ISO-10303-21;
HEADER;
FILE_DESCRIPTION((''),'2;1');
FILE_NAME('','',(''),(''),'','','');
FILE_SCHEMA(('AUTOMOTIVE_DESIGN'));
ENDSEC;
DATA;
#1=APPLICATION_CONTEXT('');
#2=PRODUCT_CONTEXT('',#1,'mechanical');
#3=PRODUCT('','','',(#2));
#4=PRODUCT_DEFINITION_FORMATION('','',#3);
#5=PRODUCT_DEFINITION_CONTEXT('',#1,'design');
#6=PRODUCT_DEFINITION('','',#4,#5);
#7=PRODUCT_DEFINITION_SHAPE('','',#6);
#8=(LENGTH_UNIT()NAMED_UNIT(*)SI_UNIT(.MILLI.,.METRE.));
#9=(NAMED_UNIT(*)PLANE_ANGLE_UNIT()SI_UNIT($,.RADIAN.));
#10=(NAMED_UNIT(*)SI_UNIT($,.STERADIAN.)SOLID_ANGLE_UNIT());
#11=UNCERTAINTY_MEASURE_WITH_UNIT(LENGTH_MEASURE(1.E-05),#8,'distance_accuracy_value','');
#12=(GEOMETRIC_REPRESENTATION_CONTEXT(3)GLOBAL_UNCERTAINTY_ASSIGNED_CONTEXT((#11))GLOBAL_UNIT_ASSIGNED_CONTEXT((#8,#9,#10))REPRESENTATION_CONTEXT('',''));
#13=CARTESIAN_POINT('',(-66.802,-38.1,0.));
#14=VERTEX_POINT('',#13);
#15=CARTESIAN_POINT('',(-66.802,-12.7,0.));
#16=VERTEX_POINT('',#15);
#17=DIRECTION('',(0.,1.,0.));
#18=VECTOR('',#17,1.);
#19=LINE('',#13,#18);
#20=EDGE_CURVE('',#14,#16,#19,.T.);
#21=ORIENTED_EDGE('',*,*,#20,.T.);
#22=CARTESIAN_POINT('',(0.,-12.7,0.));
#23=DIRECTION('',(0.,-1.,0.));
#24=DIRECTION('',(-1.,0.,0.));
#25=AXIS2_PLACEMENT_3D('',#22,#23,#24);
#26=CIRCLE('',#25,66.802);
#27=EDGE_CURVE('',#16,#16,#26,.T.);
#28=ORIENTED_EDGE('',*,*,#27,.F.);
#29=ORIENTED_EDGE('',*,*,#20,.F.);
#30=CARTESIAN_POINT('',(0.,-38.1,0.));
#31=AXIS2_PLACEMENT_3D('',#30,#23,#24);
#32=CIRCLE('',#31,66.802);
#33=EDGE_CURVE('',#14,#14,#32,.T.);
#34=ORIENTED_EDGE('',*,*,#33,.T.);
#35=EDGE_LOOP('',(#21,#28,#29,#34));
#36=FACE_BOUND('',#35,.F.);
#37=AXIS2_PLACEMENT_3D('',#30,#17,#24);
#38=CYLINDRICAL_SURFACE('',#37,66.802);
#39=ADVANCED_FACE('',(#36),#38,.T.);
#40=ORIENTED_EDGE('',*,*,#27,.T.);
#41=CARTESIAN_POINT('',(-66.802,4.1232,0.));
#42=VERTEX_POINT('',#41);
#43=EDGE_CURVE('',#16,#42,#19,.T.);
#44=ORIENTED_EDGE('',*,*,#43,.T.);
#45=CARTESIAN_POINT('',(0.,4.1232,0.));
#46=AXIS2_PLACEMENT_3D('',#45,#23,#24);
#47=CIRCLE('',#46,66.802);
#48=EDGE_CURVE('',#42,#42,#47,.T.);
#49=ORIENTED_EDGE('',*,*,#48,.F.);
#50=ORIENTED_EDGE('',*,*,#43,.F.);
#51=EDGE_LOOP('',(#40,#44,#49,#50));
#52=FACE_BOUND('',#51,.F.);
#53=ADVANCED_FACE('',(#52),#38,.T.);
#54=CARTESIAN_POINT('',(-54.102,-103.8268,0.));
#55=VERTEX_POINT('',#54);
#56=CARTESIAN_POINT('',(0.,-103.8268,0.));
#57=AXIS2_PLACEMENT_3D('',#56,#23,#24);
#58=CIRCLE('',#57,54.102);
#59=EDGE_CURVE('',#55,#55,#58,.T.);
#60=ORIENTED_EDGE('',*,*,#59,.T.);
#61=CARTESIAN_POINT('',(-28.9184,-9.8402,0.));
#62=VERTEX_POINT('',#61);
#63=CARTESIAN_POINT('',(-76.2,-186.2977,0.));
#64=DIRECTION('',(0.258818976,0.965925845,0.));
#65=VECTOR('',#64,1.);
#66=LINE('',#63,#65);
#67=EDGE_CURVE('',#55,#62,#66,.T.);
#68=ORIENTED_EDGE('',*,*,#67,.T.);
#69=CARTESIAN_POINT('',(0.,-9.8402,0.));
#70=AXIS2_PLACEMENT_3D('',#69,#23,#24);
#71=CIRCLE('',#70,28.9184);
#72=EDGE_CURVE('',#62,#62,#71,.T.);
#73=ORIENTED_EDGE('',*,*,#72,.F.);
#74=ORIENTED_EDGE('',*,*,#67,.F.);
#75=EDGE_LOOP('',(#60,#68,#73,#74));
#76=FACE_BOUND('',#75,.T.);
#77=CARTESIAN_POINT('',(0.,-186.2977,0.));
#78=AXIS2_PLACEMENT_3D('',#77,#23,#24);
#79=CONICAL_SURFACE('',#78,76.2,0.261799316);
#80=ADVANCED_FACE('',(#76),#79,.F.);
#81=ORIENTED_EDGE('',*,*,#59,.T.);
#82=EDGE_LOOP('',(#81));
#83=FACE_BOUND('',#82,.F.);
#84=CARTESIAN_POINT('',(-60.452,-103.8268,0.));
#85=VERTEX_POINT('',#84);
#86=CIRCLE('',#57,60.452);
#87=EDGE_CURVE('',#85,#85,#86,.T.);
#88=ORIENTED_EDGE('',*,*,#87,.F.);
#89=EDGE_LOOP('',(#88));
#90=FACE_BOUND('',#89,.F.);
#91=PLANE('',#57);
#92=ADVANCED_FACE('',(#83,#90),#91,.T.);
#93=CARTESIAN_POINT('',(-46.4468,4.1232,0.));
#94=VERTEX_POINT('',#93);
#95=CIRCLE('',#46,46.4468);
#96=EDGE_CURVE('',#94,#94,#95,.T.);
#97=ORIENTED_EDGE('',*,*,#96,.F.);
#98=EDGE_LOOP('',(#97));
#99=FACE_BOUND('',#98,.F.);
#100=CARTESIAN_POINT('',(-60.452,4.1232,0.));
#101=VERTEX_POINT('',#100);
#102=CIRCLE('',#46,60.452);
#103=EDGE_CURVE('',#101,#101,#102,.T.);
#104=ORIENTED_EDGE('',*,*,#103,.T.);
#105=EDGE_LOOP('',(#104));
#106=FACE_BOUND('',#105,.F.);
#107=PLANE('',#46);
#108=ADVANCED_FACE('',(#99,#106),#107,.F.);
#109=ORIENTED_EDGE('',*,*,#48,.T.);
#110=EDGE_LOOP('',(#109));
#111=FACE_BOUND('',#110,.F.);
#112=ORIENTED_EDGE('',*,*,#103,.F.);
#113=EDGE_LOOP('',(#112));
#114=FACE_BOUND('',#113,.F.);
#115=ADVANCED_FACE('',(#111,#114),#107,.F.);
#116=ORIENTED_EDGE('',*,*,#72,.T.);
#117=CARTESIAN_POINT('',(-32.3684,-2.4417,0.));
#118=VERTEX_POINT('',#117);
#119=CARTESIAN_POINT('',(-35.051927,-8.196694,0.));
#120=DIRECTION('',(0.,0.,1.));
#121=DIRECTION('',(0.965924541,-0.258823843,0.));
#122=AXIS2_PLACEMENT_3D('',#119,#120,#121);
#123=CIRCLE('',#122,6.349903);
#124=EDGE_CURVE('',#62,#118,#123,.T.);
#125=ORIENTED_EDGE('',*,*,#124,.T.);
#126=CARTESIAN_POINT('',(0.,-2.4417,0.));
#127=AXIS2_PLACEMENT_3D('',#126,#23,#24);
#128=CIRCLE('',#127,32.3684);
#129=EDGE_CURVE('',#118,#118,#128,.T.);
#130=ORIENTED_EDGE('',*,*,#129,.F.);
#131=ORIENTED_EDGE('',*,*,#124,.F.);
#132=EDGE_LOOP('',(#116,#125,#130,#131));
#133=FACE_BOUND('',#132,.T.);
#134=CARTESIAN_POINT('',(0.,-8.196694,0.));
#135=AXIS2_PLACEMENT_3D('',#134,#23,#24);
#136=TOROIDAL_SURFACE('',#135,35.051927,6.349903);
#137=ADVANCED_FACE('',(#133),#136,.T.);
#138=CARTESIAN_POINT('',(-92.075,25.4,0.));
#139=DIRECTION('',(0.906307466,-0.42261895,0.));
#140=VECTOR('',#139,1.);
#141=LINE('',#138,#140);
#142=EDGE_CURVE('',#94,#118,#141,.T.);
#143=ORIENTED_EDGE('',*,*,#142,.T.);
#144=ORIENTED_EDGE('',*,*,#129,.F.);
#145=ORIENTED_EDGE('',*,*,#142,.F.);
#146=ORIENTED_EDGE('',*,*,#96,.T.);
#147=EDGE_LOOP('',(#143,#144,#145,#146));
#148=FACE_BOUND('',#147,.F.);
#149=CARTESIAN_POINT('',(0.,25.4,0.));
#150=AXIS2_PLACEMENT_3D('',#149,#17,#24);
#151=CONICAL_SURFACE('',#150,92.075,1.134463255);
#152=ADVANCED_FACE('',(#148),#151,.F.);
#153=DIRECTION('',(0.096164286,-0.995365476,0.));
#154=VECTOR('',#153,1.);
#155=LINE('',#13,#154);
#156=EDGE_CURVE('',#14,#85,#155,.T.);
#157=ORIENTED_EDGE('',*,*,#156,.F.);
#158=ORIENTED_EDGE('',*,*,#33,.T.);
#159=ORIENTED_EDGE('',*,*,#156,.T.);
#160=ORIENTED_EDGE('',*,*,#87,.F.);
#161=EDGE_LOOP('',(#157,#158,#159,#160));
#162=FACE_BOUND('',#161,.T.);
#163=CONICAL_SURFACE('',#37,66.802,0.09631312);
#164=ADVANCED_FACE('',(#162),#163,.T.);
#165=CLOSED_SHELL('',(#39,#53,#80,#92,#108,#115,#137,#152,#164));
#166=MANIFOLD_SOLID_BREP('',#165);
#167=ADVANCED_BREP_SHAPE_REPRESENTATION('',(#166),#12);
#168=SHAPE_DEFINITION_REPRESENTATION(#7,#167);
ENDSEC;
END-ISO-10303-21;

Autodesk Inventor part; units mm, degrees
ref_plane "YZ Plane" through (0, 0, 0) normal (1, 0, 0) x (0, 1, 0)
ref_plane "XZ Plane" through (0, 0, 0) normal (0, 1, 0) x (-1, 0, 0)
ref_plane "XY Plane" through (0, 0, 0) normal (0, 0, 1) x (1, 0, 0)
sketch "Sketch1" plane through (0, 0, 0) normal (0, 0, 1) x (1, 0, 0)
  line L0 (0, 25.4) -> (-28.702, 25.4) construction
  line L1 (0, 25.4) -> (-95.25, 25.4) construction
  line L2 (-95.25, 25.4) -> (-92.075, 25.4) construction
  line L3 (-92.075, 25.4) -> (-84.455, 21.8467) construction
  line L4 (-92.075, 25.4) -> (-92.075, 22.4389) construction
  line L5 (-92.075, 0) -> (-95.25, 0)
  line L6 (-28.702, 59.0535) -> (-28.702, -92.5226) construction
  arc A0 (-28.9184, -9.8402) -> (-32.3684, -2.4417) centre (-35.052, -8.1967) ccw
  line L7 (-76.2, -186.2977) -> (-28.702, -9.0327)
  line L8 (-92.075, 25.4) -> (-92.075, 0)
  line L9 (-92.075, 25.4) -> (-32.3684, -2.4417)
  line L10 (-28.702, -8.1967) -> (-60.452, -8.1967) construction
  line L11 (-60.452, -127.5253) -> (-54.102, -127.5253) construction
  line L12 (-54.102, -127.5253) -> (-54.102, -103.8268) construction
  line L13 (-54.102, -103.8268) -> (-60.452, -103.8268)
  line L14 (-60.452, 10.654) -> (-60.452, 1.129) construction
  line L15 (-60.452, 10.654) -> (-60.452, 4.1232) construction
  line L16 (-60.452, 4.1232) -> (-46.4468, 4.1232)
  line L17 (-95.25, 0) -> (-95.25, -12.7) construction
  line L18 (-60.452, -12.7) -> (-73.152, -12.7) construction
  line L19 (-95.25, -12.7) -> (-95.25, -25.4) construction
  line L20 (-95.25, -25.4) -> (-95.25, -88.9) construction
  line L21 (-95.25, -88.9) -> (-82.55, -88.9) construction
  line L22 (-82.55, -88.9) -> (-82.55, -25.4) construction
  line L23 (-95.25, -25.4) -> (-82.55, -25.4)
  line L24 (-82.55, -25.4) -> (-82.55, -88.9)
  line L25 (-82.55, -88.9) -> (-95.25, -88.9)
  line L26 (-95.25, -12.7) -> (-73.152, -12.7)
  line L27 (-73.152, -139.3746) -> (-63.627, -139.3746)
  line L28 (-82.55, -88.9) -> (-82.55, -186.2977)
  line L29 (-82.55, -186.2977) -> (-76.2, -186.2977)
  line L30 (-73.152, -12.7) -> (-73.152, -139.3746)
  line L31 (-88.9, -25.4) -> (-88.9, -31.3436)
  line L32 (-88.9, -31.3436) -> (-95.25, -31.3436)
  line L33 (-95.25, 0) -> (-95.25, -25.4)
  line L34 (-95.25, -31.3436) -> (-95.25, -88.9)
  line L35 (-88.9, -160.8977) -> (-88.9, -221.8454)
  line L36 (-28.9184, -9.8402) -> (-85.725, -221.8454)
  line L37 (-85.725, -221.8454) -> (-88.9, -221.8454)
  line L38 (-82.55, -160.8977) -> (-88.9, -160.8977)
  line L39 (-66.802, -38.1) -> (-66.802, 4.1232)
  line L40 (-66.802, 4.1232) -> (-60.452, 4.1232)
  line L41 (-66.802, -38.1) -> (-60.452, -103.8268)
  line L42 (-60.452, 10.654) -> (-60.452, 4.1232) construction
  line L43 (-60.452, -8.1967) -> (-60.452, -12.7) construction
  line L44 (-60.452, -103.8268) -> (-60.452, -127.5253) construction
  line L45 (0, 59.6457) -> (0, -91.9304) construction
  line L46 (-73.152, -38.1) -> (-69.977, -38.1)
  line L47 (-69.977, -38.1) -> (-69.977, -12.7)
  line L48 (-66.802, -12.7) -> (-69.977, -12.7)
  point P0 (0, 0)
  point P1 (-95.25, -256.5049)
  point P2 (-88.7095, 22.4389)
  dimension "d0" = 28.702
  dimension "d1" = 95.25
  dimension "d2" = 3.175
  dimension "d3" = 25
  dimension "d5" = 25.4
  dimension "d6" = 25.4
  dimension "d8" = 12.7
  dimension "d12" = 31.75
  dimension "d13" = 6.35
  dimension "d16" = 12.7
  dimension "d17" = 12.7
  dimension "d18" = 12.7
  dimension "d19" = 63.5
  dimension "d20" = 12.7
  dimension "d22" = 9.525
  dimension "d23" = 6.35
  dimension "d25" = 5.9436
  dimension "d27" = 3.175
  dimension "d28" = 6.35
  dimension "d29" = 25.4
  dimension "d30" = 107.95
  dimension "d31" = 6.35
  dimension "d33" = 20.3552
  dimension "d34" = 15
  dimension "d35" = 3.175
  dimension "d36" = 25.4
revolve "Revolution2" add sketch "Sketch1" angle 360 about axis through (0, 59.6457, 0) along (0, -1, 0) contours L9 A0 L7 L13 L41 L39 L40 L16
properties part number "graphite" material "Graphite"
